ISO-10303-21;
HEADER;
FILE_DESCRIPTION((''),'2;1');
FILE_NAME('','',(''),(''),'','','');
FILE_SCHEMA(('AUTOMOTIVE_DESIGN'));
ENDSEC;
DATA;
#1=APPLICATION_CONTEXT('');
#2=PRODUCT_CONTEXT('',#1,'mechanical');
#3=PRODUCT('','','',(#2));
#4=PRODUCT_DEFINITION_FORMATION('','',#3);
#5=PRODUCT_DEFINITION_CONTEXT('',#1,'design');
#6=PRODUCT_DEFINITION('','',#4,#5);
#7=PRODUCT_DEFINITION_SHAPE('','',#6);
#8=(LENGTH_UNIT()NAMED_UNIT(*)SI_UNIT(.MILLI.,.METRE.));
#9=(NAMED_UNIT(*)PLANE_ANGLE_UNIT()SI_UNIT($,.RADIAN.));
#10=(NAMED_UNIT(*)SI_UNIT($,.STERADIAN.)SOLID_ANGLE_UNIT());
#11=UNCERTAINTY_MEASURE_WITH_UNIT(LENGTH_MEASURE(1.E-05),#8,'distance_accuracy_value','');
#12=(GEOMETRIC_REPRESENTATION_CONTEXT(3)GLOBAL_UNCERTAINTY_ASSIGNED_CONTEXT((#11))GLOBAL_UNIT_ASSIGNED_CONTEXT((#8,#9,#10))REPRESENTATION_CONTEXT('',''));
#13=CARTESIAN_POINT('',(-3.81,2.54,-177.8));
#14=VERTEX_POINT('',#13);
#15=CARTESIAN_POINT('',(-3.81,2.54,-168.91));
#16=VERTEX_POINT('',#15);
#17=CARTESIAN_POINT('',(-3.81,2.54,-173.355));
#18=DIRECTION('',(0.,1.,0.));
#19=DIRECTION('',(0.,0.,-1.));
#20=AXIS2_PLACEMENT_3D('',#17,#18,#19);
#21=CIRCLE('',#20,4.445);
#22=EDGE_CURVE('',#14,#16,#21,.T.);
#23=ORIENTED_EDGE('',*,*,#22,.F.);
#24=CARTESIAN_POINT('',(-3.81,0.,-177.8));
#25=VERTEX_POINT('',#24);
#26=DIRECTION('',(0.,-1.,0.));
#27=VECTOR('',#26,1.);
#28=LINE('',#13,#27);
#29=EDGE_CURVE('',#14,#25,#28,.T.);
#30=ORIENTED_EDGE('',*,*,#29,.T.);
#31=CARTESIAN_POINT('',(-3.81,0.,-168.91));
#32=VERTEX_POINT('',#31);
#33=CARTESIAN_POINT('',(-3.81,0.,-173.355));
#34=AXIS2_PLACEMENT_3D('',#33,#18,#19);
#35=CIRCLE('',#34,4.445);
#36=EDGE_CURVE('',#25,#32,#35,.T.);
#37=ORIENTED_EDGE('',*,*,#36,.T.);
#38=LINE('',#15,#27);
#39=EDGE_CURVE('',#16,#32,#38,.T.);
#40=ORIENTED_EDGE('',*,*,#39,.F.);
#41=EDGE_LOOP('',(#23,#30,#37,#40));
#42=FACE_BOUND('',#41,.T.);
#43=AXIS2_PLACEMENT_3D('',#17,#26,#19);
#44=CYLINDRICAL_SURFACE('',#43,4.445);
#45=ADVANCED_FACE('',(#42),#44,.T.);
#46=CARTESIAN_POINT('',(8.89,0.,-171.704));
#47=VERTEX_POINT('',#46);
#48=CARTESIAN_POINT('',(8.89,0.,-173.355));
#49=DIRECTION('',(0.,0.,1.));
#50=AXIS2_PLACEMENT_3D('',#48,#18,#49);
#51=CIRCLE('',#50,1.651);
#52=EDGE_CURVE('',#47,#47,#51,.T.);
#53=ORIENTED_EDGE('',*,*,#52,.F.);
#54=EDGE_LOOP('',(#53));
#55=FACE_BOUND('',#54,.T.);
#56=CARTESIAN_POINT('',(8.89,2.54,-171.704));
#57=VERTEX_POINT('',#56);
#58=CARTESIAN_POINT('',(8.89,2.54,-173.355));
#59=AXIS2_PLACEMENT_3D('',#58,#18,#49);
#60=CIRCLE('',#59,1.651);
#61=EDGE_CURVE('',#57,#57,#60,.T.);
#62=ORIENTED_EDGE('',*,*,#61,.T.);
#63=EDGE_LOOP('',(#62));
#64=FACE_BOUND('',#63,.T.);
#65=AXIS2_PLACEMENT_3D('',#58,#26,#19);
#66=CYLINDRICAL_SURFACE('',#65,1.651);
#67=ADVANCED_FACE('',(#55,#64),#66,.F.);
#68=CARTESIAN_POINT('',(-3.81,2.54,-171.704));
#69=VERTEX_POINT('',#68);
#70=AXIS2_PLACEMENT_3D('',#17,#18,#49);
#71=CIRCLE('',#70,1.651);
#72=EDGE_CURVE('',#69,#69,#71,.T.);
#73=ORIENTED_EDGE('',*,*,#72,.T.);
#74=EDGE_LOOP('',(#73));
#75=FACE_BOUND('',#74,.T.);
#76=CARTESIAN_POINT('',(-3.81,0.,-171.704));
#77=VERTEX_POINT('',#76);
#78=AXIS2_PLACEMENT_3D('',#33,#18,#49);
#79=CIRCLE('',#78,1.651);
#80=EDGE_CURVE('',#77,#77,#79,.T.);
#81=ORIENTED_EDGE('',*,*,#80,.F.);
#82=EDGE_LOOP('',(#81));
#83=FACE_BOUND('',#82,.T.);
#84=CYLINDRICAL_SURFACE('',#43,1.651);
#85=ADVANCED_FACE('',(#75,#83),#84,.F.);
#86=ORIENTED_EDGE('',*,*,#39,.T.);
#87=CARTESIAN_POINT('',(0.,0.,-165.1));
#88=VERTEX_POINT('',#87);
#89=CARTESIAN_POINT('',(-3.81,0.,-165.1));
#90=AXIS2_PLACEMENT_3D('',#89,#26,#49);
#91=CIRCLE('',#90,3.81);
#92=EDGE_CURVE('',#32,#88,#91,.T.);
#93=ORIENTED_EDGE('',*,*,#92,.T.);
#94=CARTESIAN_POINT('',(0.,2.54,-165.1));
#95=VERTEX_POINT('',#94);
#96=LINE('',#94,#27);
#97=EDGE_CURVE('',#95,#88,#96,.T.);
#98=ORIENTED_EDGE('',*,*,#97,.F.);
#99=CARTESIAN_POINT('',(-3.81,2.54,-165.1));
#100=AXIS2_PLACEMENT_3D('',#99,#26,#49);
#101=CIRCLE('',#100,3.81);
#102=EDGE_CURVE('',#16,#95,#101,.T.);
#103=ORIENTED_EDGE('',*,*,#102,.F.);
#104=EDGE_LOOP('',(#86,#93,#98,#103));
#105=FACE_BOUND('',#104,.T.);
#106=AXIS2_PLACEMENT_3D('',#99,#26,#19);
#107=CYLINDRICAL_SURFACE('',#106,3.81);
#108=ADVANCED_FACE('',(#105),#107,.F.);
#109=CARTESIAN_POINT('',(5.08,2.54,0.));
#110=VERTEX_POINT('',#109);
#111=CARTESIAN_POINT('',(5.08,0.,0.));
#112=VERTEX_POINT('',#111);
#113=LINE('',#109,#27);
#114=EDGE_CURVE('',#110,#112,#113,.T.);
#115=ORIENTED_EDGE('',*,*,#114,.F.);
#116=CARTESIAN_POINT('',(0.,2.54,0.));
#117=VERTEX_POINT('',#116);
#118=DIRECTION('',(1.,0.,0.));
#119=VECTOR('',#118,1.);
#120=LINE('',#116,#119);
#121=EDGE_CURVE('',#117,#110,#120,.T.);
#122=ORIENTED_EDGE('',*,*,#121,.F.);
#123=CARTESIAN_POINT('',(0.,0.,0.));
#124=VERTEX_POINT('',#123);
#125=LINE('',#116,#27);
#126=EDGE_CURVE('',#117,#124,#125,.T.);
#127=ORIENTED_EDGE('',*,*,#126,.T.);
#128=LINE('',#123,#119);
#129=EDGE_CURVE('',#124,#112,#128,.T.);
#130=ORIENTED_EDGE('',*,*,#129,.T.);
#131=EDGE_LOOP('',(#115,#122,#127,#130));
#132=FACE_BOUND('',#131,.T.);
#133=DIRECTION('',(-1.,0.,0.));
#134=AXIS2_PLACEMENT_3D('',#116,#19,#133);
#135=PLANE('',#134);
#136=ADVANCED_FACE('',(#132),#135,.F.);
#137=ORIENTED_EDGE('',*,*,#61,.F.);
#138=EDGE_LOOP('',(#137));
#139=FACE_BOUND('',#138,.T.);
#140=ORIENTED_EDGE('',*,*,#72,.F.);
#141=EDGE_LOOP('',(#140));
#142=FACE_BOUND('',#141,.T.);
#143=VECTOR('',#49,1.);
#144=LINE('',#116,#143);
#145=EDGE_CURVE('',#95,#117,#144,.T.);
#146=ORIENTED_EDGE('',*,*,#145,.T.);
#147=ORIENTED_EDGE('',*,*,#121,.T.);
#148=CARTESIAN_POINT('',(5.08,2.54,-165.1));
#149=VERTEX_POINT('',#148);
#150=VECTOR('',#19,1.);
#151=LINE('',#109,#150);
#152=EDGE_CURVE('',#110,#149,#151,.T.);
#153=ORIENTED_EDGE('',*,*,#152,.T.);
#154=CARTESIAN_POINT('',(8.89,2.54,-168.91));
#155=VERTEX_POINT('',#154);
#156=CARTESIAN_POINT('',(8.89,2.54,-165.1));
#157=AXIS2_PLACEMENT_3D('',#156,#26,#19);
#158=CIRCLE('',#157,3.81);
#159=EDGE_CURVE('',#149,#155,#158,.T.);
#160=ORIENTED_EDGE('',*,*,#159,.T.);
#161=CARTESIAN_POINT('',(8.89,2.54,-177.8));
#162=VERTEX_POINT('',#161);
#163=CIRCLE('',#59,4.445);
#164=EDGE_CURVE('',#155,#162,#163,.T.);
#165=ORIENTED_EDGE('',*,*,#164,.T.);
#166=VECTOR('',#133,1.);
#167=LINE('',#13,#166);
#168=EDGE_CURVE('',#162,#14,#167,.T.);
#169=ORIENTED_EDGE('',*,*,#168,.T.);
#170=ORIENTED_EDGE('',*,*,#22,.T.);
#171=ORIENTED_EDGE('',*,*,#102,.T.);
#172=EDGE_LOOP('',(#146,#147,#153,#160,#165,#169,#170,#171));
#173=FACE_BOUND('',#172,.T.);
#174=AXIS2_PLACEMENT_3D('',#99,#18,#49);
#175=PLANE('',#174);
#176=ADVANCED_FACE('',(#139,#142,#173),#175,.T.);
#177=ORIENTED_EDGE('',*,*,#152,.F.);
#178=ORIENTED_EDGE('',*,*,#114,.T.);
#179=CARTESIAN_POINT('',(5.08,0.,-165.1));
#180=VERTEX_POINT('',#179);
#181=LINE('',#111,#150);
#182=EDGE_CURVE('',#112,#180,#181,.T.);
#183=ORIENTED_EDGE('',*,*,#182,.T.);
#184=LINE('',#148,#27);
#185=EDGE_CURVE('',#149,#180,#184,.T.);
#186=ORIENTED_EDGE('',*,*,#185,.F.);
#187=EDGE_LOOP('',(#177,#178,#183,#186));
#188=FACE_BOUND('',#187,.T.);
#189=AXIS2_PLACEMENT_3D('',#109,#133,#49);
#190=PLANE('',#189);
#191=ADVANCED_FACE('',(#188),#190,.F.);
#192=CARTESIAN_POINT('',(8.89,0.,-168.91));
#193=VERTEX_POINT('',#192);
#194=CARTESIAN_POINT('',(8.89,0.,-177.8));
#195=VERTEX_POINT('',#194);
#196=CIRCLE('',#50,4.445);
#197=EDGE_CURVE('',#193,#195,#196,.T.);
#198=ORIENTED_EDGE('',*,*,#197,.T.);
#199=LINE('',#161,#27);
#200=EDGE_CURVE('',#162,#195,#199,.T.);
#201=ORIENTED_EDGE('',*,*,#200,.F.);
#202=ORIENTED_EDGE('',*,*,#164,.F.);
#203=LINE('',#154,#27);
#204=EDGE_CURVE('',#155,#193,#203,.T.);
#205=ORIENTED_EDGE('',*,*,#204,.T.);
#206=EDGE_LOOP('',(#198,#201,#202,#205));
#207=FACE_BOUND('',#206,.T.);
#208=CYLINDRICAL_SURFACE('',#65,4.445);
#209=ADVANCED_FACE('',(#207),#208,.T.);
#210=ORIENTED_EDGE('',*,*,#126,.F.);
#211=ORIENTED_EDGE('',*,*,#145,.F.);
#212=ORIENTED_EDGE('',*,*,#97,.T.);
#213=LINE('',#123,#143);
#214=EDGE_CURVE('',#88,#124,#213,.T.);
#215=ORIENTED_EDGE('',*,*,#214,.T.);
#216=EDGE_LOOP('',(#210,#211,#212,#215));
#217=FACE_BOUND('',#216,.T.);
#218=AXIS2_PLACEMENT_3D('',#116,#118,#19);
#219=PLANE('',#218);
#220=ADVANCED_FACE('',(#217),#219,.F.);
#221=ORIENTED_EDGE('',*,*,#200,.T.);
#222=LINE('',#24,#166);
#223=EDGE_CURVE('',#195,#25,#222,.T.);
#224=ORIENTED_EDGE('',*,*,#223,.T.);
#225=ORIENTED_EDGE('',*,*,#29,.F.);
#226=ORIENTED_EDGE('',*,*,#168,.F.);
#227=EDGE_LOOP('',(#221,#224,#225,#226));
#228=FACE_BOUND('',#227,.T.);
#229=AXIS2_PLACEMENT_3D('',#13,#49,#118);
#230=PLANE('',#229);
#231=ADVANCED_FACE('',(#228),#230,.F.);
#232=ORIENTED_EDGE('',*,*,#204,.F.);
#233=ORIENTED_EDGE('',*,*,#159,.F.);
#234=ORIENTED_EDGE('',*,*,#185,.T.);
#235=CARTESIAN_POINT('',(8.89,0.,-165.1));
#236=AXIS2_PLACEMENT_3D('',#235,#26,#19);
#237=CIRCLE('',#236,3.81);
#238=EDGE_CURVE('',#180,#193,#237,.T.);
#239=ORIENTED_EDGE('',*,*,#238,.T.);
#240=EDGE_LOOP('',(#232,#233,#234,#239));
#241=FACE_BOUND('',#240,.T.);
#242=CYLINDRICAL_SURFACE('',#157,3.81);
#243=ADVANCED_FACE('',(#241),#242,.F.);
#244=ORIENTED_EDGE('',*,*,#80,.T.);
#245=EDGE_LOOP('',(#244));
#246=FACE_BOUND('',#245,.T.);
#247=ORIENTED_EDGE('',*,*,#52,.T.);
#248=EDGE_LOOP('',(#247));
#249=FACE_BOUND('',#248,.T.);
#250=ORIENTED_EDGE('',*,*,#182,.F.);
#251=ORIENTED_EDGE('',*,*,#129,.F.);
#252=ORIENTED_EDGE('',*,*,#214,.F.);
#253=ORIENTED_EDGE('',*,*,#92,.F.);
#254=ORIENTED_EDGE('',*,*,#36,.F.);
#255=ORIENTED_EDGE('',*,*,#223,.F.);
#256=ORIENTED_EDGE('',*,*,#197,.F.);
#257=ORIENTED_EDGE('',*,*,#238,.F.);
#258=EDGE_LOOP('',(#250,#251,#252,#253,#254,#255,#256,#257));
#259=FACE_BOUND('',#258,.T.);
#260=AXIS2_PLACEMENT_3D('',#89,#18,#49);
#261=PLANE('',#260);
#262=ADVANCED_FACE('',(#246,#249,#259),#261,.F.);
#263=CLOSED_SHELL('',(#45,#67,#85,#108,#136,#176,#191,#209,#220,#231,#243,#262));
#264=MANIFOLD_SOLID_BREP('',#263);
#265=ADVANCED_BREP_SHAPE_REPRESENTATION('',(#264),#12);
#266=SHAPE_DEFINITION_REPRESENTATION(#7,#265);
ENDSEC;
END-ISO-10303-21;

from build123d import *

# Parameters (mm, degrees)
SKETCH1_R           = 1.651
BOSS_EXTRUDE1_DEPTH = 2.54


with BuildPart() as part:
    # Sketch1 → Boss-Extrude1 (new body)
    with BuildSketch(Plane(origin=(0, 0, 0), x_dir=(1, 0, 0), z_dir=(0, 1, 0))):
        with BuildLine():
            Line((0, 0), (5.08, 0))
            Line((5.08, 0), (5.08, 165.1))
            ThreePointArc((5.08, 165.1), (6.195923164, 167.794076836), (8.89, 168.91))
            ThreePointArc((8.89, 168.91), (13.335, 173.355), (8.89, 177.8))
            Line((8.89, 177.8), (-3.81, 177.8))
            ThreePointArc((-3.81, 177.8), (-8.255, 173.355), (-3.81, 168.91))
            ThreePointArc((-3.81, 168.91), (-1.115923164, 167.794076836), (0, 165.1))
            Line((0, 165.1), (0, 0))
        make_face()
        with Locations((-3.81, 173.355)):
            Circle(SKETCH1_R, mode=Mode.SUBTRACT)
        with Locations((8.89, 173.355)):
            Circle(SKETCH1_R, mode=Mode.SUBTRACT)
    extrude(amount=BOSS_EXTRUDE1_DEPTH)


solid = part.part
